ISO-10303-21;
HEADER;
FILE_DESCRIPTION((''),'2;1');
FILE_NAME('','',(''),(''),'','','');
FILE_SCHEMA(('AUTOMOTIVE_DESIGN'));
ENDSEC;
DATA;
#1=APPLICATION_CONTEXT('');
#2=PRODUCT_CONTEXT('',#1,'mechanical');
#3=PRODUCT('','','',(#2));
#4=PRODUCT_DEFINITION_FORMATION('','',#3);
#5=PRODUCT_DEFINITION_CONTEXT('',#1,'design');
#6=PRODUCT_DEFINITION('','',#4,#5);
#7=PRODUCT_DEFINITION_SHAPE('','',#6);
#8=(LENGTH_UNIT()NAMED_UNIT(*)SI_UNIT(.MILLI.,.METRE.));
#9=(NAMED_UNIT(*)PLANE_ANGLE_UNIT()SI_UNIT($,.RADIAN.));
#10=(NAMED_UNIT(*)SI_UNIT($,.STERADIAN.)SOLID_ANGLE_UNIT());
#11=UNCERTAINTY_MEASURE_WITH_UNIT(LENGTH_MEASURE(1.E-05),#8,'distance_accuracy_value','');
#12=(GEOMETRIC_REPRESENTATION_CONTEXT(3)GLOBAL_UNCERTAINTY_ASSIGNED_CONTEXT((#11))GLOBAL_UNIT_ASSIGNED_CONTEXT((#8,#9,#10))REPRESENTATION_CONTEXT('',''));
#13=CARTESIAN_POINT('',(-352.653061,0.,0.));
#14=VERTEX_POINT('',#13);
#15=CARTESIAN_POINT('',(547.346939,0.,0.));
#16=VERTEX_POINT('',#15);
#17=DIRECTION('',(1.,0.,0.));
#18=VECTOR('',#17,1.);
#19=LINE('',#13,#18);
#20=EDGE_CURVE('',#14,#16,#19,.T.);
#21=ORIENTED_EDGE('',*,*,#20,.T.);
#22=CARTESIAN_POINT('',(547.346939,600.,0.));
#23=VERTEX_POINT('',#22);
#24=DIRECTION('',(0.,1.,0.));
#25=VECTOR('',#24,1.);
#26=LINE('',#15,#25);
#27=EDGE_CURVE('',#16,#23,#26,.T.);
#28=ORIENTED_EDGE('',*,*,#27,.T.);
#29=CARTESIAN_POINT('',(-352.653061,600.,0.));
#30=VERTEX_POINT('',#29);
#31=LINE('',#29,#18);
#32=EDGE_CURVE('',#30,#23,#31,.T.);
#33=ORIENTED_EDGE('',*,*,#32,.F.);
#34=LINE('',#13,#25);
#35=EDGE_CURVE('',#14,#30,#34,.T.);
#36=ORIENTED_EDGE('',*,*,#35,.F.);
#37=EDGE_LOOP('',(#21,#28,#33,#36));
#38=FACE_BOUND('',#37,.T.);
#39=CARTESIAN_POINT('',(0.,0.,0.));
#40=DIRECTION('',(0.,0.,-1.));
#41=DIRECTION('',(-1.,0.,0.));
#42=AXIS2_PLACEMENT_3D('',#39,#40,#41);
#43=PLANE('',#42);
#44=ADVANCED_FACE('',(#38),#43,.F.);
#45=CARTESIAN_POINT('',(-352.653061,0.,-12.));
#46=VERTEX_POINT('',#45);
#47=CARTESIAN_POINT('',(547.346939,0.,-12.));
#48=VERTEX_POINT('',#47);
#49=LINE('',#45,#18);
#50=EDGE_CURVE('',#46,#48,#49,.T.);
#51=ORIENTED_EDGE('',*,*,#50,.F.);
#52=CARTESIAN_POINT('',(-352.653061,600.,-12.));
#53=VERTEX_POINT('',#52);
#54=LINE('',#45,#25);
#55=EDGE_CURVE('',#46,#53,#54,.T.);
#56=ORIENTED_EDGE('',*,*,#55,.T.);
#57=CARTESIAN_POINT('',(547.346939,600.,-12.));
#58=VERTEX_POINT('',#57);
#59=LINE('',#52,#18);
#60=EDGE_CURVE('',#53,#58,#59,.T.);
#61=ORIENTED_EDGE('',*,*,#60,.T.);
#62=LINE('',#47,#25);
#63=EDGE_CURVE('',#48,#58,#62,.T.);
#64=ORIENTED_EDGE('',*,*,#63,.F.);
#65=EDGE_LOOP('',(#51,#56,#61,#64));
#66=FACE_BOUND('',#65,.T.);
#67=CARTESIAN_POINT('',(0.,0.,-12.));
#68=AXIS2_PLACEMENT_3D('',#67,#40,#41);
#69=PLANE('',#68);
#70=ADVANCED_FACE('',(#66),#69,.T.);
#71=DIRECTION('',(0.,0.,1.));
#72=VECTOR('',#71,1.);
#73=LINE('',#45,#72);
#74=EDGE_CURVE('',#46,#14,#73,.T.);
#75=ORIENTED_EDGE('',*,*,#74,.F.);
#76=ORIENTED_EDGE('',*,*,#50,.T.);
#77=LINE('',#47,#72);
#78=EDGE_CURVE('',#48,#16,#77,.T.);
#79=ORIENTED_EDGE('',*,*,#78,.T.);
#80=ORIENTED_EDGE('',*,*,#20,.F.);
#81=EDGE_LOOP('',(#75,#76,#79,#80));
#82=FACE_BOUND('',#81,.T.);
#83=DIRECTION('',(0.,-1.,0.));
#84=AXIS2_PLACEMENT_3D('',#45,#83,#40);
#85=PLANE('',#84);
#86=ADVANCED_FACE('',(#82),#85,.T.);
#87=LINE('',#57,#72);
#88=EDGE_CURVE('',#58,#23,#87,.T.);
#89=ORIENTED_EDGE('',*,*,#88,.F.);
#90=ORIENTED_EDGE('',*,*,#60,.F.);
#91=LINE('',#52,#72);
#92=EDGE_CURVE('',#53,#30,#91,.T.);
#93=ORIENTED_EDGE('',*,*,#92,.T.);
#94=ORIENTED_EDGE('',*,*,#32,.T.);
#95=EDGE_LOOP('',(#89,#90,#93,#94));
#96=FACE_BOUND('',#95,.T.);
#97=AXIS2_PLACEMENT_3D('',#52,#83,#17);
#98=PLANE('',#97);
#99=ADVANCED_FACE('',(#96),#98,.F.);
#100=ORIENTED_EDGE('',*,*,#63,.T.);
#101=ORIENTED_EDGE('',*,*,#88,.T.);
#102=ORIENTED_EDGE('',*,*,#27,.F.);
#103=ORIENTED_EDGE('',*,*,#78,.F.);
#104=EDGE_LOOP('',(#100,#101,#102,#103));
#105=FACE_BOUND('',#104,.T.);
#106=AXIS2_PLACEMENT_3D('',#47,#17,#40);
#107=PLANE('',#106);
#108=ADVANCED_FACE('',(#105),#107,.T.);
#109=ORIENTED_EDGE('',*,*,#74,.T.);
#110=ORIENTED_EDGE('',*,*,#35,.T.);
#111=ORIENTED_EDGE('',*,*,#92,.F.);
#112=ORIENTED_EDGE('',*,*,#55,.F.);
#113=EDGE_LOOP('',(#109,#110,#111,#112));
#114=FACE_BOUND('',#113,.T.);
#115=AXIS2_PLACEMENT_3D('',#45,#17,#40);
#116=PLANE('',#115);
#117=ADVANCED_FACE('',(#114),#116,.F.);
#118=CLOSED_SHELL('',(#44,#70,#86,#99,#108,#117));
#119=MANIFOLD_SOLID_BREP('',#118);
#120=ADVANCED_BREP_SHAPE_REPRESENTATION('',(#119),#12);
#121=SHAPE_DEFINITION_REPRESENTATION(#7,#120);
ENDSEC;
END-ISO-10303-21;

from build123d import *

# Parameters (mm, degrees)
SKETCH1_W           = 900
SKETCH1_H           = 600
BOSS_EXTRUDE1_DEPTH = 12


with BuildPart() as part:
    # Sketch1 → Boss-Extrude1 (new body)
    with BuildSketch(Plane.XY):
        with Locations((97.346938776, 300)):
            Rectangle(SKETCH1_W, SKETCH1_H)
    extrude(amount=-BOSS_EXTRUDE1_DEPTH)


solid = part.part
